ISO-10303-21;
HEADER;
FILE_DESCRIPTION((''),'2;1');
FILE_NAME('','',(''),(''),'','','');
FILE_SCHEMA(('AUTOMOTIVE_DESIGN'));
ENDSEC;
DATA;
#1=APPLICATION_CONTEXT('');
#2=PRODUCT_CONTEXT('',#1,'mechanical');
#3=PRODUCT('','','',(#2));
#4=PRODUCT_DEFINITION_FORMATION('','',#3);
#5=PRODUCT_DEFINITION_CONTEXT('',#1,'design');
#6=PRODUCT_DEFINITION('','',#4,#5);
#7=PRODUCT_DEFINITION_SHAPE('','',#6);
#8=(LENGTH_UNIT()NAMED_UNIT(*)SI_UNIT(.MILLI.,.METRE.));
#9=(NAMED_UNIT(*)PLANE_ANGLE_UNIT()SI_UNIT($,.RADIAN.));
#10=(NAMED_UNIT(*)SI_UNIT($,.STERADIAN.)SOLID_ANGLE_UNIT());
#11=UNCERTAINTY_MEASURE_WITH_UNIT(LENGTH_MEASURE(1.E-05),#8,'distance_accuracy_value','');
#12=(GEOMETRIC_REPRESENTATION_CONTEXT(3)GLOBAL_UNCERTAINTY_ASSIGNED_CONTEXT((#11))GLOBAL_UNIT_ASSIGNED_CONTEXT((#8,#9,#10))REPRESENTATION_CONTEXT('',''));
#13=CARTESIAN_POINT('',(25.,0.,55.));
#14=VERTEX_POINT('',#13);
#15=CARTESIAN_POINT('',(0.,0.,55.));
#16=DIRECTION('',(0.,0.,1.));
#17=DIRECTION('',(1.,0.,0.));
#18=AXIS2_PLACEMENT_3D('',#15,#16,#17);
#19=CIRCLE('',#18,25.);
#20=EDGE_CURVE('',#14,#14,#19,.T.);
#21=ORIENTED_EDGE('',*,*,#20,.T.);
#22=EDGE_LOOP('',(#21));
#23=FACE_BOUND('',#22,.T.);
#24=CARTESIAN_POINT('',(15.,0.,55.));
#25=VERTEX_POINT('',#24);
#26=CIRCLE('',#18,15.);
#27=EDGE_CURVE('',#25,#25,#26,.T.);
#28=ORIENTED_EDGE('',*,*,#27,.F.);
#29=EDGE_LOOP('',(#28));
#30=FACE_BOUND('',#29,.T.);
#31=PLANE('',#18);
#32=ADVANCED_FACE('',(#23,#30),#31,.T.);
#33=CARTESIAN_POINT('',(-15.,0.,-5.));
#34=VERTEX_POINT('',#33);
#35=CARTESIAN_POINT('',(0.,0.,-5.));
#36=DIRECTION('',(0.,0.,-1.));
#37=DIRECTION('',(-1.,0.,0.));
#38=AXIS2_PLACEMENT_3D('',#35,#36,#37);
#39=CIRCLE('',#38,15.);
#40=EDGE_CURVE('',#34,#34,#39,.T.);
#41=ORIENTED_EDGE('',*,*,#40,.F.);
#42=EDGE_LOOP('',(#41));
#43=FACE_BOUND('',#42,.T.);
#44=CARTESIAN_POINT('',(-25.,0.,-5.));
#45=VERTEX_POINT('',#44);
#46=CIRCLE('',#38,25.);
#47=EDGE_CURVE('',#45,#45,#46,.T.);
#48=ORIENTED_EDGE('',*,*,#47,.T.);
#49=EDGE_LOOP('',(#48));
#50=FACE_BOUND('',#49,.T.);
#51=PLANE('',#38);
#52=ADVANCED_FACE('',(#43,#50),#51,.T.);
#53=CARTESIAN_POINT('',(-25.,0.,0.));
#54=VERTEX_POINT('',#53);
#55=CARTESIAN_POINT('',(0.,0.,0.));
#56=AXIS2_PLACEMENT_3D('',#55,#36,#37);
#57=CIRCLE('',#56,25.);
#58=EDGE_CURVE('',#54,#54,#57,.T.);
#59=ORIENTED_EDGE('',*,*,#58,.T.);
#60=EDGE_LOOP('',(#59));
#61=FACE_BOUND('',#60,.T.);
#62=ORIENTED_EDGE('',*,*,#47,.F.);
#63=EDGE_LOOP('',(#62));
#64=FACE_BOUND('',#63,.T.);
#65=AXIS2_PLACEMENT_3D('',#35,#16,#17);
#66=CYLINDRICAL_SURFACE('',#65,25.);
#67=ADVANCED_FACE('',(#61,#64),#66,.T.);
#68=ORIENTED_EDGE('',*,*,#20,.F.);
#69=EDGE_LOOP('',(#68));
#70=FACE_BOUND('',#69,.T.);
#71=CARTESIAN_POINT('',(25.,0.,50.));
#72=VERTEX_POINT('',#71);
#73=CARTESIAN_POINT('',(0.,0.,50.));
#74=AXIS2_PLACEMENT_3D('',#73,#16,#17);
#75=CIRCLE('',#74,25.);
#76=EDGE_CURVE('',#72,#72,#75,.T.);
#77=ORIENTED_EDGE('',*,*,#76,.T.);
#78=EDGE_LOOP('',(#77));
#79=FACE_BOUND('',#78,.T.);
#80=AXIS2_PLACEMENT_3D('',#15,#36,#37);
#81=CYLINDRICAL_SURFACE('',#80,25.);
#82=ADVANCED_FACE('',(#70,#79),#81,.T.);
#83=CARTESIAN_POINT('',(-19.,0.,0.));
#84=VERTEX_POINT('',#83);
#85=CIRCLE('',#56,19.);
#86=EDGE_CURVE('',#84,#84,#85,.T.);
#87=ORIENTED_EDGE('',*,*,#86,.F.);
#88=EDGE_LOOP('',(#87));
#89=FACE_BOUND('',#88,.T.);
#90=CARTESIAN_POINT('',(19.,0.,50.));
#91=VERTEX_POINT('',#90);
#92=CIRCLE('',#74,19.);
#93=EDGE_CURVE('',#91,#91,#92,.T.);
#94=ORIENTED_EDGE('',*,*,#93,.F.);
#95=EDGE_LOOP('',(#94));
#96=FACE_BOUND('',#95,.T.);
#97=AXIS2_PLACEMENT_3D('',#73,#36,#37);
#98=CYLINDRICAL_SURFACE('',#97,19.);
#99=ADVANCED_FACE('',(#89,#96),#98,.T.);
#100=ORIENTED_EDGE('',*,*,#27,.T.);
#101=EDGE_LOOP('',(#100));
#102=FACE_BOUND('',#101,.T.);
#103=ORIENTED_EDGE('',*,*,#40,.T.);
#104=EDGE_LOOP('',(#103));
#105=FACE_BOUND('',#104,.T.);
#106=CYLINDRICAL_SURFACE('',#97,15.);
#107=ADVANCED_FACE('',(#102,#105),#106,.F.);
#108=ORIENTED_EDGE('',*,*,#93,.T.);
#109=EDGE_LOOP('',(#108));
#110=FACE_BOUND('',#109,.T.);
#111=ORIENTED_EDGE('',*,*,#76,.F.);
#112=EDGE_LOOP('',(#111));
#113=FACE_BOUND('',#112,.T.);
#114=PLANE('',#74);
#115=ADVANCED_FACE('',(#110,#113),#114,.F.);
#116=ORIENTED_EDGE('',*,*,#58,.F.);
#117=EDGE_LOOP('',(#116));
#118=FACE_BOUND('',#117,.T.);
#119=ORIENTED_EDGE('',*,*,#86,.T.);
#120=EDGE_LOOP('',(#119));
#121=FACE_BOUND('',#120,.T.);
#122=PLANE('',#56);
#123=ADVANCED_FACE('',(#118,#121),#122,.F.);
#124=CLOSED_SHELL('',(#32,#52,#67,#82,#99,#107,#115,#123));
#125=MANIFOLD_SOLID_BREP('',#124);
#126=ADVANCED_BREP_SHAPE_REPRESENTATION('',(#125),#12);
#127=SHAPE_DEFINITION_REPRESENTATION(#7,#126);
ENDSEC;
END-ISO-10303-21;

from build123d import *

# Parameters (mm, degrees)
SKETCH1_R           = 19
SKETCH1_R_2         = 15
BOSS_EXTRUDE1_DEPTH = 50
SKETCH2_R           = 25
SKETCH2_R_2         = 15
BOSS_EXTRUDE2_DEPTH = 5
BOSS_EXTRUDE3_START = 5
SKETCH4_R           = 25
SKETCH4_R_2         = 15
BOSS_EXTRUDE3_DEPTH = 5


with BuildPart() as part:
    # Sketch1 → Boss-Extrude1 (new body)
    with BuildSketch(Plane.XY):
        Circle(SKETCH1_R)
        Circle(SKETCH1_R_2, mode=Mode.SUBTRACT)
    extrude(amount=BOSS_EXTRUDE1_DEPTH)

    # Sketch2 → Boss-Extrude2 (add)
    with BuildSketch(Plane.XY.offset(50)):
        Circle(SKETCH2_R)
        Circle(SKETCH2_R_2, mode=Mode.SUBTRACT)
    extrude(amount=BOSS_EXTRUDE2_DEPTH)

    # Sketch4 → Boss-Extrude3 (add)
    with BuildSketch(Plane(origin=(0, 0, 0), x_dir=(-1, 0, 0), z_dir=(0, 0, -1)).offset(BOSS_EXTRUDE3_START)):
        with Locations(Location((0, 0, 0), (0, 0, 180))):
            Circle(SKETCH4_R)
        Circle(SKETCH4_R_2, mode=Mode.SUBTRACT)
    extrude(amount=-BOSS_EXTRUDE3_DEPTH)


solid = part.part
